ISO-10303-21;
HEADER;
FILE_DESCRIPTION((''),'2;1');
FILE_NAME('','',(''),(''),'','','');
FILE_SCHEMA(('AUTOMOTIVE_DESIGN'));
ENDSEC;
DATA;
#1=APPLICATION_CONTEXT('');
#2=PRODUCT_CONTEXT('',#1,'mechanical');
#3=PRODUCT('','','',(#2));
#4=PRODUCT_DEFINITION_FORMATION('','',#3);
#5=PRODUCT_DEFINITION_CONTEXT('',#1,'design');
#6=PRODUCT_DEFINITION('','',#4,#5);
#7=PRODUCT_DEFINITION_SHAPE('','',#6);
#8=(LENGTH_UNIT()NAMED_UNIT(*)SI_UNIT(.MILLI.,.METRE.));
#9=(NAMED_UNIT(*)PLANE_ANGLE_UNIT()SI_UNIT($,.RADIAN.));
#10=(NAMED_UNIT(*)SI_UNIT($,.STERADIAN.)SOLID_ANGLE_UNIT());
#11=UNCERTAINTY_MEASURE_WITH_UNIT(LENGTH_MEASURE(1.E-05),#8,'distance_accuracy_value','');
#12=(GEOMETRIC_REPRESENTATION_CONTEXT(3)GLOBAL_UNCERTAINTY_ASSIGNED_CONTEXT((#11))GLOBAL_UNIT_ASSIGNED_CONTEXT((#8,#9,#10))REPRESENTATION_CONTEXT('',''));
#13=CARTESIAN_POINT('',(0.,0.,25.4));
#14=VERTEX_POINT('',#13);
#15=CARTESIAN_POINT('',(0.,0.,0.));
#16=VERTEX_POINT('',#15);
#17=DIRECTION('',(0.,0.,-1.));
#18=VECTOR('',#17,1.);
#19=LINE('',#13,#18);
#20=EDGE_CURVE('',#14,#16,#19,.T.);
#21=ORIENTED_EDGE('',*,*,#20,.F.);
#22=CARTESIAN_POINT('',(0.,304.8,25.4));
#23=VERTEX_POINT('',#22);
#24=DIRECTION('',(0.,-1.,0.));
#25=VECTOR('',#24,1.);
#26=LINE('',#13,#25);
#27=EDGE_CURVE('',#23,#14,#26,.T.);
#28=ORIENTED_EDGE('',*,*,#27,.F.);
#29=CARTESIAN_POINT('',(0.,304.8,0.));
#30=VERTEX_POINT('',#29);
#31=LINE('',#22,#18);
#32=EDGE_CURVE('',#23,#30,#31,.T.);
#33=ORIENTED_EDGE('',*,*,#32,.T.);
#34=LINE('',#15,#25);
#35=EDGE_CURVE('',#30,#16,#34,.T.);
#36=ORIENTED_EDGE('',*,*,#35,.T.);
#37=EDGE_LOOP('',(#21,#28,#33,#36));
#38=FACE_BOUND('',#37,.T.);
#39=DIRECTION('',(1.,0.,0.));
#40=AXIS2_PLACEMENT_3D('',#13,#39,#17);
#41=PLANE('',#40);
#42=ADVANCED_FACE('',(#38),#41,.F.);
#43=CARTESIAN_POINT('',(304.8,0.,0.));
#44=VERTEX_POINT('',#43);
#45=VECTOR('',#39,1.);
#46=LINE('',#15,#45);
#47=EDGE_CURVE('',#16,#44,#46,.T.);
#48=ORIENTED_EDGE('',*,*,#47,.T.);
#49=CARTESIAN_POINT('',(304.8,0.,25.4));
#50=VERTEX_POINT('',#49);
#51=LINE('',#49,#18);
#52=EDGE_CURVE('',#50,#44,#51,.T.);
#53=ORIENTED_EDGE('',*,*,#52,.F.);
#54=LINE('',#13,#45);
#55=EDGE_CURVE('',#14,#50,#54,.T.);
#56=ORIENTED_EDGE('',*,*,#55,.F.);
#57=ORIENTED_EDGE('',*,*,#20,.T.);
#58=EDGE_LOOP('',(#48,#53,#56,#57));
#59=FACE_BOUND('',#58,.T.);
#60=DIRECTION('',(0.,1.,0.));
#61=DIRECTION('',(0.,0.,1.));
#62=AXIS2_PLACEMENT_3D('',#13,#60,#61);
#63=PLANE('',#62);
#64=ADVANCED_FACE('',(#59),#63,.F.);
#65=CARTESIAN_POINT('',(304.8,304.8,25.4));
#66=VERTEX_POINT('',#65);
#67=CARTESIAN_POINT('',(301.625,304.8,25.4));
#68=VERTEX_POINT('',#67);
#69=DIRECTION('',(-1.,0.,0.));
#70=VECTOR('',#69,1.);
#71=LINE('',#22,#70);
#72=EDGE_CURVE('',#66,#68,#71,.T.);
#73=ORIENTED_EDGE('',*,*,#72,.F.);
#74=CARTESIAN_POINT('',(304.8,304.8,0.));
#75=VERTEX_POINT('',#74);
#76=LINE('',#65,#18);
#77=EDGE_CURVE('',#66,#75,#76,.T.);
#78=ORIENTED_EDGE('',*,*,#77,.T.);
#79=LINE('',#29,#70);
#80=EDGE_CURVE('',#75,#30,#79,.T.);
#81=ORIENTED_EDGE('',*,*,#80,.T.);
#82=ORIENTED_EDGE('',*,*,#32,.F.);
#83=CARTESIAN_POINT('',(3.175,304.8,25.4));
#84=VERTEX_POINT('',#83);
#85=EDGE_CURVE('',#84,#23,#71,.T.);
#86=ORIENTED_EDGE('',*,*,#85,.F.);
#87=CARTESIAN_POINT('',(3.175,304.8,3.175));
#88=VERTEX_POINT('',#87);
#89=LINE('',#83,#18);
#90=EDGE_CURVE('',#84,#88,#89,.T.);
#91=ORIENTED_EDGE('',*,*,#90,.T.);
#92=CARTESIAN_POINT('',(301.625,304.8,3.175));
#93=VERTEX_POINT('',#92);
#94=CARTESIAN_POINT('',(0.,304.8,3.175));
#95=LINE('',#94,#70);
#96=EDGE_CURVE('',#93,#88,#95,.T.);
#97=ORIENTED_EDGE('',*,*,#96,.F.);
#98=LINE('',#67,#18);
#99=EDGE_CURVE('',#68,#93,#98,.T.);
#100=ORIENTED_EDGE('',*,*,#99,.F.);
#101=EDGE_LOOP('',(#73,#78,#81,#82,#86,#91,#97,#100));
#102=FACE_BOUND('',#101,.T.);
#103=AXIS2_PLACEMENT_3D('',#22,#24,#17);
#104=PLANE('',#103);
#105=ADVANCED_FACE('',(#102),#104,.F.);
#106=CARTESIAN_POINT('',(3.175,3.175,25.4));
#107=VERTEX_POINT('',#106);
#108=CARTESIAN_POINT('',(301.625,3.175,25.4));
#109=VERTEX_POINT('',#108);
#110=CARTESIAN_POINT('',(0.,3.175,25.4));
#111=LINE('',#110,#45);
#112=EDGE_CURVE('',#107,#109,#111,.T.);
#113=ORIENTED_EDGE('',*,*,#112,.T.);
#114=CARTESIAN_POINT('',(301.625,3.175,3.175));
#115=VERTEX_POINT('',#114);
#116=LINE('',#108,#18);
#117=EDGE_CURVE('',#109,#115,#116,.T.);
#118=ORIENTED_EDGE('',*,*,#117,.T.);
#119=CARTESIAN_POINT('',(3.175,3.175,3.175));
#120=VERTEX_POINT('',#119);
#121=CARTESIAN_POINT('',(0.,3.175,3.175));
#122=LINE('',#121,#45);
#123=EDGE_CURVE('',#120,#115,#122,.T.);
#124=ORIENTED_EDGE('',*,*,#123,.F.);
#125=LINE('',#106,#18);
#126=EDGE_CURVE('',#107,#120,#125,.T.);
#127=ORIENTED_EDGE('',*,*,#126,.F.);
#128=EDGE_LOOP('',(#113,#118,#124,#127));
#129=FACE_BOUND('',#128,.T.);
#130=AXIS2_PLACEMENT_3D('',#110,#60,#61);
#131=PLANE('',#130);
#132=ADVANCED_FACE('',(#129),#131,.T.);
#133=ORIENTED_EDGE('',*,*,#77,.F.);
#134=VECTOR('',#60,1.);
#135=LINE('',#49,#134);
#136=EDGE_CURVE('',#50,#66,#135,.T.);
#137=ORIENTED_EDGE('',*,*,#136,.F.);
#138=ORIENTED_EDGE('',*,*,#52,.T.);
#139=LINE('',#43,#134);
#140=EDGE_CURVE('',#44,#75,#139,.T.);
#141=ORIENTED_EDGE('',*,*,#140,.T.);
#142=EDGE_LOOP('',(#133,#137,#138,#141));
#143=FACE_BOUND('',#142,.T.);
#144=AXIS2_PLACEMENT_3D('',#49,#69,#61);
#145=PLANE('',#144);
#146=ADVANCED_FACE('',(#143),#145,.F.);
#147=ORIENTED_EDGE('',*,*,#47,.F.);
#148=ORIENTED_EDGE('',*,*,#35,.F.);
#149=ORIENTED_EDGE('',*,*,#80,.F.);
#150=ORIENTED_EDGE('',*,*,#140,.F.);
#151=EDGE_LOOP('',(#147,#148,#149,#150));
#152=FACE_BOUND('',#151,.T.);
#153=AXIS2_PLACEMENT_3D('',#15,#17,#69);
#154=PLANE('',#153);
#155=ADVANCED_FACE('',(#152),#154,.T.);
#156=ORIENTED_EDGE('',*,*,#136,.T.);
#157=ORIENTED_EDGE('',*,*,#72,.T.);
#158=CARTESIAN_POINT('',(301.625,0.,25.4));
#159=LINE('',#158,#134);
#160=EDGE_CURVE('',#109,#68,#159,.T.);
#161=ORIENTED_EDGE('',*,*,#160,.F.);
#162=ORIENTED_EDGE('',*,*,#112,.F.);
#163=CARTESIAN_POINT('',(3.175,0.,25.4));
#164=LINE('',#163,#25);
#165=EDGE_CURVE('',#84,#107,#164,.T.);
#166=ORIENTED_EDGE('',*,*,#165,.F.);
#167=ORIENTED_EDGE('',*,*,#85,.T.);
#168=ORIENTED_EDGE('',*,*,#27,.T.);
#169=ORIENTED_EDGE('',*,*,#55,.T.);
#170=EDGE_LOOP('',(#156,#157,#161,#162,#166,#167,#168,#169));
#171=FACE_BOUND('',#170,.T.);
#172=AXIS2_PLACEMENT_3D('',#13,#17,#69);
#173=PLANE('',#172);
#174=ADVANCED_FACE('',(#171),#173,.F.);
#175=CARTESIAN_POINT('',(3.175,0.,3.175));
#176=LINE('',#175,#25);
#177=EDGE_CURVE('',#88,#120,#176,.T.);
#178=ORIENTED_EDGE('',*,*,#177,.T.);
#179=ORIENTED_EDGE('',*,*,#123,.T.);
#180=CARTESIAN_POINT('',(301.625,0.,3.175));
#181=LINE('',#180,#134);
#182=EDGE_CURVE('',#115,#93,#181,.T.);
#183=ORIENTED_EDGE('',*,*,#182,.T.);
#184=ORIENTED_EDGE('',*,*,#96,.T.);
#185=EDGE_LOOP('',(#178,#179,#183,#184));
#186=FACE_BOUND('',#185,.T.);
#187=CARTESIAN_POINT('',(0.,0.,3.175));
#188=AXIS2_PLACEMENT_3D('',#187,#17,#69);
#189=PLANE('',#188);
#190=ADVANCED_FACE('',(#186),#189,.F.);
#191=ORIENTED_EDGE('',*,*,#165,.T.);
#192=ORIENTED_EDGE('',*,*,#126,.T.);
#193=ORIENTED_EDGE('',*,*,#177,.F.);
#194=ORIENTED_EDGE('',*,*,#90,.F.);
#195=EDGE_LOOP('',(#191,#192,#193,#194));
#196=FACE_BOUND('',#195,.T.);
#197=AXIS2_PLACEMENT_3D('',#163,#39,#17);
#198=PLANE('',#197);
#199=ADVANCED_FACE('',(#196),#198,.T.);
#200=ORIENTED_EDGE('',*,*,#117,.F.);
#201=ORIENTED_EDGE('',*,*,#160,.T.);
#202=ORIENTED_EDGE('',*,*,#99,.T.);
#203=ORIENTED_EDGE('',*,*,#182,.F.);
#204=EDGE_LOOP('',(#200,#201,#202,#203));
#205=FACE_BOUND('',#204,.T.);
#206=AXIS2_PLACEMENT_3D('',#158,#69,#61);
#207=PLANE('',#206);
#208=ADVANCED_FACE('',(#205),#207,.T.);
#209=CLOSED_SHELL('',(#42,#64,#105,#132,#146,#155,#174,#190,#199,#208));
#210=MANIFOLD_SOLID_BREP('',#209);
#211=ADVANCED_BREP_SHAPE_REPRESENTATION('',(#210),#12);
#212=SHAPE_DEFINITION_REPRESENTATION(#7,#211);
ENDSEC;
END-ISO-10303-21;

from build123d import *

# Parameters (mm, degrees)
SKETCH2_W           = 304.8
SKETCH2_H           = 304.8
BOSS_EXTRUDE1_DEPTH = 25.4
SHELL1_T            = -3.175


with BuildPart() as part:
    # Sketch2 → Boss-Extrude1 (new body)
    with BuildSketch(Plane.XY):
        with Locations((152.4, 152.4)):
            Rectangle(SKETCH2_W, SKETCH2_H)
    extrude(amount=BOSS_EXTRUDE1_DEPTH)

    # Shell1
    shell1_openings = [part.faces().sort_by_distance(p)[0] for p in [
        (152.4, 152.4, 25.4),
        (152.4, 304.8, 12.7),
    ]]
    offset(amount=SHELL1_T, openings=shell1_openings, kind=Kind.INTERSECTION)


solid = part.part
